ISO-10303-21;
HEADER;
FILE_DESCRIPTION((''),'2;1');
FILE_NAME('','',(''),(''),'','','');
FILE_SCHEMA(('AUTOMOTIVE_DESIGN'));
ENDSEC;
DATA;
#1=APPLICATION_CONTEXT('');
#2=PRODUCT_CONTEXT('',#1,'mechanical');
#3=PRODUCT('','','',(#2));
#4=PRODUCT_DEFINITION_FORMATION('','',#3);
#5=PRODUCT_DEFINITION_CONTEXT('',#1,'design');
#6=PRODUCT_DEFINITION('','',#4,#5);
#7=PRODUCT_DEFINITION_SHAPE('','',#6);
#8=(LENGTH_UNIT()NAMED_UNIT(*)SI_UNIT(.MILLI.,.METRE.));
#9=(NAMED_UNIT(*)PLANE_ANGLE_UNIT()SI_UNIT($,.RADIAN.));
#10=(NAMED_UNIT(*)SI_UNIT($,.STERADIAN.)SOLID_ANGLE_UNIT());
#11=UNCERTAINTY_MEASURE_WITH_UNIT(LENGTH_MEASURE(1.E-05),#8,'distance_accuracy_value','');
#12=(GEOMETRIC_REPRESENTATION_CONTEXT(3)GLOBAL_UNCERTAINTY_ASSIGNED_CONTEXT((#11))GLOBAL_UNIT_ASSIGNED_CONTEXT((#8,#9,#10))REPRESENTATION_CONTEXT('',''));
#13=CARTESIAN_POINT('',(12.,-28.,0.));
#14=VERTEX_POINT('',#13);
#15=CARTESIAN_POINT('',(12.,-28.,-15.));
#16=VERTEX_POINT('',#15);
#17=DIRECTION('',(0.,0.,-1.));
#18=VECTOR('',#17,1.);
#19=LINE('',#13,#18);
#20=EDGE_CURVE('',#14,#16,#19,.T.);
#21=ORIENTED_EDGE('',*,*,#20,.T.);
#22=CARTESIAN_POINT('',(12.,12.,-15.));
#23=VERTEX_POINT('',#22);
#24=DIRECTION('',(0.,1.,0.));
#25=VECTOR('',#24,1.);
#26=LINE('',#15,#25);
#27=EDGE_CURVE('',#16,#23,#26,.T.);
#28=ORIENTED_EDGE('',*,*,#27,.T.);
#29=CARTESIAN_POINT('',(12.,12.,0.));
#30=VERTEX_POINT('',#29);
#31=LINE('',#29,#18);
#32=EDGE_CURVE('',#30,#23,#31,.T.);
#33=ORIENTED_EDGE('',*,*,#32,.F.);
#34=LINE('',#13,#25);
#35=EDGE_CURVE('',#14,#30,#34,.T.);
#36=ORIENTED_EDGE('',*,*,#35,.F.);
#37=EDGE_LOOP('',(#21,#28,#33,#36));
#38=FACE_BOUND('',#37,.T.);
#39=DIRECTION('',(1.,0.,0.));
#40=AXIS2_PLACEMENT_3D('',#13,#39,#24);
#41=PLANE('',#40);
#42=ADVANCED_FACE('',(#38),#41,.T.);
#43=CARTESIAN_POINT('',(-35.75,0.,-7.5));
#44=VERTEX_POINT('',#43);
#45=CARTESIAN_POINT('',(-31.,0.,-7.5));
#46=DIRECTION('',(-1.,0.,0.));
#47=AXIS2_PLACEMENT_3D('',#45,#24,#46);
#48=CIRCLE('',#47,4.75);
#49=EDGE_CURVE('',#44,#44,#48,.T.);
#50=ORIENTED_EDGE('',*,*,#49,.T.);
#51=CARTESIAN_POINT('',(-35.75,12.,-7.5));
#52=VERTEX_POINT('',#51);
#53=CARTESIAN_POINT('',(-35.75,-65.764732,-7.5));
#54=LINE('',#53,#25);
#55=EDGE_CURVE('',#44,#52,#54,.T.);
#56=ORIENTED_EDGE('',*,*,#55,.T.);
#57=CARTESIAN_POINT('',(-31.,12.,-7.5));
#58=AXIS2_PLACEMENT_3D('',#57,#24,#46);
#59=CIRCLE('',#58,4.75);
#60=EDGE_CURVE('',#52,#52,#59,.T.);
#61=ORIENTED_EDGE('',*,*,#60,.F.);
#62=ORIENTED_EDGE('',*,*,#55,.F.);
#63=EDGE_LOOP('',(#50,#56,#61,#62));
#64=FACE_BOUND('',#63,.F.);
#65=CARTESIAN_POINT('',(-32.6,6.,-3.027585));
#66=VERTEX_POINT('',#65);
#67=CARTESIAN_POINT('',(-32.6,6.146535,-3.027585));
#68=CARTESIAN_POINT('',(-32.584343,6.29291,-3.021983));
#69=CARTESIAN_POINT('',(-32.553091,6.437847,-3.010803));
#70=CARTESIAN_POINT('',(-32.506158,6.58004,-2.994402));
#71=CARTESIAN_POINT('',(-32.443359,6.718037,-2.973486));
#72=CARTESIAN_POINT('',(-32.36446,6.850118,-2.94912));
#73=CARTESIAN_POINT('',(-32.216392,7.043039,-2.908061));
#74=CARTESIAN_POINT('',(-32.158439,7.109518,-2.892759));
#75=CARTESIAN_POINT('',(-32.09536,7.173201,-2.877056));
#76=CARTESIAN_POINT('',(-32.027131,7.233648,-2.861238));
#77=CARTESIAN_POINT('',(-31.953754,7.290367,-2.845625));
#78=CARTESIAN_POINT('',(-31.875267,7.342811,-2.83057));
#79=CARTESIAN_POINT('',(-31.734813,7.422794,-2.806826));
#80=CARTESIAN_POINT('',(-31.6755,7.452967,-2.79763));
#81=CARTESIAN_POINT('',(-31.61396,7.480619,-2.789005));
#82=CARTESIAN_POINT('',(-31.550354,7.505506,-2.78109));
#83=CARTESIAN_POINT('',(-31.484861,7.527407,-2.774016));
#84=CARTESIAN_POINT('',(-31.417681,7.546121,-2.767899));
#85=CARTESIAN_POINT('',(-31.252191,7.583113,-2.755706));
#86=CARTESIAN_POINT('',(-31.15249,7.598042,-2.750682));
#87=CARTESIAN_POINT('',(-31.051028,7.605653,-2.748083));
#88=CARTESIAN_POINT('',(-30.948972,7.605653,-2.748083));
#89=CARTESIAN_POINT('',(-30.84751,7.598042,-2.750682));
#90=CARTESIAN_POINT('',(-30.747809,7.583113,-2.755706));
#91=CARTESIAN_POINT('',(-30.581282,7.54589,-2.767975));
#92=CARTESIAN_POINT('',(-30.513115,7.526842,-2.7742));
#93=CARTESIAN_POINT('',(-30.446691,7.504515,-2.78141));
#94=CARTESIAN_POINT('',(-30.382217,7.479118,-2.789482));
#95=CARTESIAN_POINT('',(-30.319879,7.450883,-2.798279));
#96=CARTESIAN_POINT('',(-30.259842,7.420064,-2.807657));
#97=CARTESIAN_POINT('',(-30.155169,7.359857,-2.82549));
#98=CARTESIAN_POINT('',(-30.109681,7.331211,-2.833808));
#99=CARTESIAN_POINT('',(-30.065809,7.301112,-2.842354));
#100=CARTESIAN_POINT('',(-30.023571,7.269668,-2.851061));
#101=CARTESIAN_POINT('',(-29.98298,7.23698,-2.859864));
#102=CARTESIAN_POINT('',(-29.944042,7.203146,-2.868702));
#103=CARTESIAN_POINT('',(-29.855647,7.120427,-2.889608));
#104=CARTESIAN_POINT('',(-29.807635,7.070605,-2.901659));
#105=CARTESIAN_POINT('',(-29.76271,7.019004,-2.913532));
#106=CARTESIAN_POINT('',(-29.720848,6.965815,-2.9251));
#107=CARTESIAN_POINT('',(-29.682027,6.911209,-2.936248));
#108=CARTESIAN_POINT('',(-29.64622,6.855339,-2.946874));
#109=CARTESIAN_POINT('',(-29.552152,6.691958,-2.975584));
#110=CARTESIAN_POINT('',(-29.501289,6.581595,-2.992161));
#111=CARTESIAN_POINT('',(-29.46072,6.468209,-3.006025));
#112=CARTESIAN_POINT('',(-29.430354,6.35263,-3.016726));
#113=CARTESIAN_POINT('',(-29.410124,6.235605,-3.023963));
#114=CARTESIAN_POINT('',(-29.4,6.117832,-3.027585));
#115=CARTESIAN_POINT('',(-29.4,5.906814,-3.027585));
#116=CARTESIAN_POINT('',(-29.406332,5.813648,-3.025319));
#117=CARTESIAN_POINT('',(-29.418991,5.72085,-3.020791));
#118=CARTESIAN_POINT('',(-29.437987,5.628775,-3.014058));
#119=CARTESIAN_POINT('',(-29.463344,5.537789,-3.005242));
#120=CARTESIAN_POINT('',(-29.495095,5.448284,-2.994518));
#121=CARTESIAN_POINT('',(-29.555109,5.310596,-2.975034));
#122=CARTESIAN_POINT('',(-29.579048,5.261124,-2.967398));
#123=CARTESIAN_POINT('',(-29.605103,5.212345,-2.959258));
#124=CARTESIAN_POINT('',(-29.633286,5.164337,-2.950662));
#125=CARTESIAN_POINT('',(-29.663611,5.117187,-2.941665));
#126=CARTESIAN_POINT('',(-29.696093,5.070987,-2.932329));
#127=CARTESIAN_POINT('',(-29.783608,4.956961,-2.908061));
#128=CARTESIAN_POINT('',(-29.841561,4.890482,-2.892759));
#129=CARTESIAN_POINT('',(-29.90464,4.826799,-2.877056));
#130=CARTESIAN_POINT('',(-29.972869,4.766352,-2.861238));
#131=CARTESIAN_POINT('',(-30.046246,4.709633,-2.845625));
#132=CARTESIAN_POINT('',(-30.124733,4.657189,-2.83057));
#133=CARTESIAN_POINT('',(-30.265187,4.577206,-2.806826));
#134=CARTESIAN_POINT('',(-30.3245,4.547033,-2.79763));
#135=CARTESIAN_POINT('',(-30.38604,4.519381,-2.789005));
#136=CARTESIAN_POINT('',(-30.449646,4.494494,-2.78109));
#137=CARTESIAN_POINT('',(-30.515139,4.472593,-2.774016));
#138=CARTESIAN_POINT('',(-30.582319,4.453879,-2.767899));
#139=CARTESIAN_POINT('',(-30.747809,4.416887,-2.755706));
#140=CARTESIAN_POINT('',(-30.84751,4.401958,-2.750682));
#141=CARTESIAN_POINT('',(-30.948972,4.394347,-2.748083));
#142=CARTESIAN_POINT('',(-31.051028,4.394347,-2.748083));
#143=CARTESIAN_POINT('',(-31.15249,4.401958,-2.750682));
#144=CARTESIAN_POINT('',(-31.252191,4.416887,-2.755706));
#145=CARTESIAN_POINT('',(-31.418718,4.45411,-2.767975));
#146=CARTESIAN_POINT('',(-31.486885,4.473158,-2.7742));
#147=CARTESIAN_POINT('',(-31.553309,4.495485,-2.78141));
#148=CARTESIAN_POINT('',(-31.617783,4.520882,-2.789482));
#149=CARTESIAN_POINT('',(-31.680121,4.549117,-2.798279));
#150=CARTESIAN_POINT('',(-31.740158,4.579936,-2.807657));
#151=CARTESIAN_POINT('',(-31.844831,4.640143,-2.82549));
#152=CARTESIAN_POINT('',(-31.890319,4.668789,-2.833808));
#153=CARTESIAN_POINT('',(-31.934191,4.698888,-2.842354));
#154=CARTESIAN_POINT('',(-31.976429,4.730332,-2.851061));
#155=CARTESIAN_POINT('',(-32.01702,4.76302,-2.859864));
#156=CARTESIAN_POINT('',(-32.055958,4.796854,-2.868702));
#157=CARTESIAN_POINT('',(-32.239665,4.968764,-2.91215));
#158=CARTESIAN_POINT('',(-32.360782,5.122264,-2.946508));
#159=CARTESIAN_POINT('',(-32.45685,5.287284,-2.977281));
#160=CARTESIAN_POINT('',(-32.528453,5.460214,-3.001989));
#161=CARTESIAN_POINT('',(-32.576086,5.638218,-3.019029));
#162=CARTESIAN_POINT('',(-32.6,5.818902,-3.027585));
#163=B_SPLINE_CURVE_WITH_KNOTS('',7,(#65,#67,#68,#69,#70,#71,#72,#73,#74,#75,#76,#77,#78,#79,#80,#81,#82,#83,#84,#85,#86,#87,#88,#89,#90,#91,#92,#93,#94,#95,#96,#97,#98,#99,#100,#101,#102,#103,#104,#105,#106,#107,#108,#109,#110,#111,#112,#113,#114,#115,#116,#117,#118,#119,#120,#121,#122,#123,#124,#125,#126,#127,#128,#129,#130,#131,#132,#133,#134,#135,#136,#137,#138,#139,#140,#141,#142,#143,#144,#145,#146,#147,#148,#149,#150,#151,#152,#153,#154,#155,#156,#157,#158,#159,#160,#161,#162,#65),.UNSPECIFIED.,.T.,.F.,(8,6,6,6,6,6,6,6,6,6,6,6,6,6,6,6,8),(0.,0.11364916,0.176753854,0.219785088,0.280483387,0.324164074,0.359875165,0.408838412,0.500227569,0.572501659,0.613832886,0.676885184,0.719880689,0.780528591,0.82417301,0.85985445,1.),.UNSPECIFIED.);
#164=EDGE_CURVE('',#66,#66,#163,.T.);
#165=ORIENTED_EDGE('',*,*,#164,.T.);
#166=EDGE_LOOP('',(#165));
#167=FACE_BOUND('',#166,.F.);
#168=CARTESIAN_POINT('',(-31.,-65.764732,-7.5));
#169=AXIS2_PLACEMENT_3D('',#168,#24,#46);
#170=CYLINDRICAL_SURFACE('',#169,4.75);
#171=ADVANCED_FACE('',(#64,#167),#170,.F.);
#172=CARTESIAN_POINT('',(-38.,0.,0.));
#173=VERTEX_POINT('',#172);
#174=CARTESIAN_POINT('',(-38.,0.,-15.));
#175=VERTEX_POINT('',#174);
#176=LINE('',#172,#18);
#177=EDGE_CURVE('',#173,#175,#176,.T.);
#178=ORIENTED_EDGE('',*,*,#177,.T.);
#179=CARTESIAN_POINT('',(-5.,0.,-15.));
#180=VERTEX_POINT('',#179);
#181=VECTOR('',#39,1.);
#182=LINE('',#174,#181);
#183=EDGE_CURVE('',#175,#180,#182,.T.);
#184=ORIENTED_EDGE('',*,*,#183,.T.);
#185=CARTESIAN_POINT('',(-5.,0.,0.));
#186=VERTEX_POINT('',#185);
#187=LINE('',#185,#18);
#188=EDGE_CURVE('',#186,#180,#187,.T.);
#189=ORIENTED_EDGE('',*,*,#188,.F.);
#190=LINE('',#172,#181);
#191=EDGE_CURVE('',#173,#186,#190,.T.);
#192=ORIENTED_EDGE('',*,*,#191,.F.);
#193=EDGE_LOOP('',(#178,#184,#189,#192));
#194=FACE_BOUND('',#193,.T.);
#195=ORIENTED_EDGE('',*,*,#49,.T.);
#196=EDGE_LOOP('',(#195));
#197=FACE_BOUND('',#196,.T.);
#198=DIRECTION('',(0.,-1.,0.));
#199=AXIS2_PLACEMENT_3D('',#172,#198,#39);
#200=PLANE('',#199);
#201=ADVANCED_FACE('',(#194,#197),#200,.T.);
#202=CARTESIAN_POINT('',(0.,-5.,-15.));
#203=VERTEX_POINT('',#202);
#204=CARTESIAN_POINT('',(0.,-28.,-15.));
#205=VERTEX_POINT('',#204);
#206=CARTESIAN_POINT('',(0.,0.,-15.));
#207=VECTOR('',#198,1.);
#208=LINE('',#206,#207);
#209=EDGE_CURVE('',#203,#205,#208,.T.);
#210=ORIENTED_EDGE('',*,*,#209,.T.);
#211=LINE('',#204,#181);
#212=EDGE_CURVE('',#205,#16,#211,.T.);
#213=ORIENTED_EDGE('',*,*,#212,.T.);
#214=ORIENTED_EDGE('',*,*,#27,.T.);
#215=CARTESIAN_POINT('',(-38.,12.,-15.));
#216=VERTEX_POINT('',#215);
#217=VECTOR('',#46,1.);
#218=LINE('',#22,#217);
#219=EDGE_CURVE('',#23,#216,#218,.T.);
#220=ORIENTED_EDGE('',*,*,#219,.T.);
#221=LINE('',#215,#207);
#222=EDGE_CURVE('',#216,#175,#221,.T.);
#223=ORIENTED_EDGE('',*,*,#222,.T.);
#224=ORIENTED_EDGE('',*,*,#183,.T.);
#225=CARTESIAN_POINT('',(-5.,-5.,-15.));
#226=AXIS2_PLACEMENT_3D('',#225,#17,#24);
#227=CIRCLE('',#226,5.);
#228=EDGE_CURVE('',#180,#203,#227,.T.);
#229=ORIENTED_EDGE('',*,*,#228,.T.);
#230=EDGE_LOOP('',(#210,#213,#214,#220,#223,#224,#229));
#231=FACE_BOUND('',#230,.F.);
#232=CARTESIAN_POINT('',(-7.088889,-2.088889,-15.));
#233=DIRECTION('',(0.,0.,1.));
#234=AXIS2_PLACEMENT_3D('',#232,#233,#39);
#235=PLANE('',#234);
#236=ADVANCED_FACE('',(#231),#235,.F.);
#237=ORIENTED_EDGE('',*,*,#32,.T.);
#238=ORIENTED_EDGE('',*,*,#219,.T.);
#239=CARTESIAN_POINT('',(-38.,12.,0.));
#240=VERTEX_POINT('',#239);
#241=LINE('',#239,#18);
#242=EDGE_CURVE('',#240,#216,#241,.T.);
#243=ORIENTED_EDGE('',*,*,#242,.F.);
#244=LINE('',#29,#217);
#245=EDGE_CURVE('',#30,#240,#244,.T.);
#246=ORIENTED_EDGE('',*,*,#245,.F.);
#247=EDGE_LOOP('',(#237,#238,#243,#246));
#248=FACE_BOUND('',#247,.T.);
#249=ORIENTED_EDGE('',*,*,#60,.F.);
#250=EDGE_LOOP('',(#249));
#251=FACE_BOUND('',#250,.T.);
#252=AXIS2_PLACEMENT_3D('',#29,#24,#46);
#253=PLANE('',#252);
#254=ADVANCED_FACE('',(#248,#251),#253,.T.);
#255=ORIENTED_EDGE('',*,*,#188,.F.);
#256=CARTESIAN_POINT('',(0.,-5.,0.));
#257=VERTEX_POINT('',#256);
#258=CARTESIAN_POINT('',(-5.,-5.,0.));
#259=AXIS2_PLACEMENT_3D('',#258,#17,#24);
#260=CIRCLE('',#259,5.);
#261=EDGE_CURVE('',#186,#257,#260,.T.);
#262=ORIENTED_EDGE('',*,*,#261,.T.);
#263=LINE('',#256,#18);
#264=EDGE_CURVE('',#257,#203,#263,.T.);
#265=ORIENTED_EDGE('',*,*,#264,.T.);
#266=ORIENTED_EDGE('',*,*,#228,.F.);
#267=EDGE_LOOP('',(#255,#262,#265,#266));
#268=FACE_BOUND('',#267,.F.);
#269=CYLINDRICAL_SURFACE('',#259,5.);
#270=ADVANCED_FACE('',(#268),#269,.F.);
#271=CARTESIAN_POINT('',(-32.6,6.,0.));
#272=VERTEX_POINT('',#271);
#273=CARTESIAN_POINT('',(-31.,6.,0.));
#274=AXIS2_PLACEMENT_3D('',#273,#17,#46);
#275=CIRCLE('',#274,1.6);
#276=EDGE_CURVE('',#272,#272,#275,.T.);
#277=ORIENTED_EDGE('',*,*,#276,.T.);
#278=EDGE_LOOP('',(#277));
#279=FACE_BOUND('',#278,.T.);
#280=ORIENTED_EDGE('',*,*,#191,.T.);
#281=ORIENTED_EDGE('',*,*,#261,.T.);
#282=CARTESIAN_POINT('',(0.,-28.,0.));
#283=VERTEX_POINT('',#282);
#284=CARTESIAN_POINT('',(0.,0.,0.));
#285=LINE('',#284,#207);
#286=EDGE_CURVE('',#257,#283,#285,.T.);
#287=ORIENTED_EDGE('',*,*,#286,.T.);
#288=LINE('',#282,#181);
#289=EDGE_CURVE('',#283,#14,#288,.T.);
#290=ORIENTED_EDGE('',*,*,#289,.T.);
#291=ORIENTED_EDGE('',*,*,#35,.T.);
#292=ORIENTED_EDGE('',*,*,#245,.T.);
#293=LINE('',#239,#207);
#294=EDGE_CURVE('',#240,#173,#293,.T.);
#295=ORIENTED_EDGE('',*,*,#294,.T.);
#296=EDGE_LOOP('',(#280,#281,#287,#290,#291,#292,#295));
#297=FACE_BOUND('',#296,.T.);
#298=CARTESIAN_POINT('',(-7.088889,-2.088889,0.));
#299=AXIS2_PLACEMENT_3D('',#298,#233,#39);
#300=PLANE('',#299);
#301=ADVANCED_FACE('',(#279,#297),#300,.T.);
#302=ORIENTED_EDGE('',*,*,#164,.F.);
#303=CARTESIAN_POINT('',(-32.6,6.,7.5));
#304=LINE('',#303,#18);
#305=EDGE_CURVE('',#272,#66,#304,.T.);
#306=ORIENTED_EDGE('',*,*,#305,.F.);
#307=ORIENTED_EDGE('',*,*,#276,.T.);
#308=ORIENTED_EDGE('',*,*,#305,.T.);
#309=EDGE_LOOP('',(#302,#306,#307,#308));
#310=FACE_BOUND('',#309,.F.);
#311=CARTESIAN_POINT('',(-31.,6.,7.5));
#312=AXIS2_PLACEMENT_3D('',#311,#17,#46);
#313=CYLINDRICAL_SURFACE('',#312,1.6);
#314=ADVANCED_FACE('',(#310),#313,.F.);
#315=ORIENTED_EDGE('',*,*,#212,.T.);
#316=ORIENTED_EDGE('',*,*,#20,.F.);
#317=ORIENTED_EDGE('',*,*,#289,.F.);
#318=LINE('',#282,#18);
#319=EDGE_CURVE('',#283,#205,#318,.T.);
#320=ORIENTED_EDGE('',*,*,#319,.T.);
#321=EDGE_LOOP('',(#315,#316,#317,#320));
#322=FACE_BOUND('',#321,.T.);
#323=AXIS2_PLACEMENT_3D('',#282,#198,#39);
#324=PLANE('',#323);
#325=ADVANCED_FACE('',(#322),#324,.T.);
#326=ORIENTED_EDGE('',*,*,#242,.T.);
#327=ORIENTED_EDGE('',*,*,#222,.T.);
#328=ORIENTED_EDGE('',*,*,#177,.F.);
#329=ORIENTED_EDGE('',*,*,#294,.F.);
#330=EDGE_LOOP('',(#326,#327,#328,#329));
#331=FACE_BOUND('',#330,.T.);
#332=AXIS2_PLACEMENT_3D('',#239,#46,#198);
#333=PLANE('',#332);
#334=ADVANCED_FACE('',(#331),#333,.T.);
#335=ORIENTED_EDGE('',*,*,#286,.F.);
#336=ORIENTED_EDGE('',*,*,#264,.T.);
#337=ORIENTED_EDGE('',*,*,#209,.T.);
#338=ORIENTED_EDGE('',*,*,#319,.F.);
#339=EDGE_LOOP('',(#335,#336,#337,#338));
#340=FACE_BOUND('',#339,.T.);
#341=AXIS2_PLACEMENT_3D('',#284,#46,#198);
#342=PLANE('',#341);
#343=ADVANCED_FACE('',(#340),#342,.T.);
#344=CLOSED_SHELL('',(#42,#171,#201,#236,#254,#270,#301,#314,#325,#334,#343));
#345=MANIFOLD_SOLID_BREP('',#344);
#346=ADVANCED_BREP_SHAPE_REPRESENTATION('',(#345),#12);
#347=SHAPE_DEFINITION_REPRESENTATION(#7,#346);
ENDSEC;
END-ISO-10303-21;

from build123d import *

# Parameters (mm, degrees)
F1_DEPTH = 15
F3_D     = 9.5
F5_D     = 3.2
F5_DEPTH = 7.5
F5_TIP   = 0.9613769904
F6_R     = 5


with BuildPart() as f1:
    # F0 (on Top) → F1 (new body)
    with BuildSketch(Plane.XY):
        Polygon((-38, 0), (0, 0), (0, -28), (12, -28), (12, 12), (-38, 12), align=None)
    extrude(amount=-F1_DEPTH)

    # F3 (through all)
    with Locations(Plane.XZ):
        with Locations((-31, -7.5)):
            Hole(F3_D / 2)

    # F5
    with Locations(Plane.XY):
        with Locations((-31, 6)):
            Hole(F5_D / 2, depth=F5_DEPTH)
            with Locations((0, 0, -(F5_DEPTH + F5_TIP / 2))):  # 118° drill point
                Cone(0, F5_D / 2, F5_TIP, mode=Mode.SUBTRACT)

    # F6
    f6_edges = [f1.edges().sort_by_distance(p)[0] for p in [
        (0, 0, -7.5),
    ]]
    fillet(f6_edges, radius=F6_R)


solid = f1.part
